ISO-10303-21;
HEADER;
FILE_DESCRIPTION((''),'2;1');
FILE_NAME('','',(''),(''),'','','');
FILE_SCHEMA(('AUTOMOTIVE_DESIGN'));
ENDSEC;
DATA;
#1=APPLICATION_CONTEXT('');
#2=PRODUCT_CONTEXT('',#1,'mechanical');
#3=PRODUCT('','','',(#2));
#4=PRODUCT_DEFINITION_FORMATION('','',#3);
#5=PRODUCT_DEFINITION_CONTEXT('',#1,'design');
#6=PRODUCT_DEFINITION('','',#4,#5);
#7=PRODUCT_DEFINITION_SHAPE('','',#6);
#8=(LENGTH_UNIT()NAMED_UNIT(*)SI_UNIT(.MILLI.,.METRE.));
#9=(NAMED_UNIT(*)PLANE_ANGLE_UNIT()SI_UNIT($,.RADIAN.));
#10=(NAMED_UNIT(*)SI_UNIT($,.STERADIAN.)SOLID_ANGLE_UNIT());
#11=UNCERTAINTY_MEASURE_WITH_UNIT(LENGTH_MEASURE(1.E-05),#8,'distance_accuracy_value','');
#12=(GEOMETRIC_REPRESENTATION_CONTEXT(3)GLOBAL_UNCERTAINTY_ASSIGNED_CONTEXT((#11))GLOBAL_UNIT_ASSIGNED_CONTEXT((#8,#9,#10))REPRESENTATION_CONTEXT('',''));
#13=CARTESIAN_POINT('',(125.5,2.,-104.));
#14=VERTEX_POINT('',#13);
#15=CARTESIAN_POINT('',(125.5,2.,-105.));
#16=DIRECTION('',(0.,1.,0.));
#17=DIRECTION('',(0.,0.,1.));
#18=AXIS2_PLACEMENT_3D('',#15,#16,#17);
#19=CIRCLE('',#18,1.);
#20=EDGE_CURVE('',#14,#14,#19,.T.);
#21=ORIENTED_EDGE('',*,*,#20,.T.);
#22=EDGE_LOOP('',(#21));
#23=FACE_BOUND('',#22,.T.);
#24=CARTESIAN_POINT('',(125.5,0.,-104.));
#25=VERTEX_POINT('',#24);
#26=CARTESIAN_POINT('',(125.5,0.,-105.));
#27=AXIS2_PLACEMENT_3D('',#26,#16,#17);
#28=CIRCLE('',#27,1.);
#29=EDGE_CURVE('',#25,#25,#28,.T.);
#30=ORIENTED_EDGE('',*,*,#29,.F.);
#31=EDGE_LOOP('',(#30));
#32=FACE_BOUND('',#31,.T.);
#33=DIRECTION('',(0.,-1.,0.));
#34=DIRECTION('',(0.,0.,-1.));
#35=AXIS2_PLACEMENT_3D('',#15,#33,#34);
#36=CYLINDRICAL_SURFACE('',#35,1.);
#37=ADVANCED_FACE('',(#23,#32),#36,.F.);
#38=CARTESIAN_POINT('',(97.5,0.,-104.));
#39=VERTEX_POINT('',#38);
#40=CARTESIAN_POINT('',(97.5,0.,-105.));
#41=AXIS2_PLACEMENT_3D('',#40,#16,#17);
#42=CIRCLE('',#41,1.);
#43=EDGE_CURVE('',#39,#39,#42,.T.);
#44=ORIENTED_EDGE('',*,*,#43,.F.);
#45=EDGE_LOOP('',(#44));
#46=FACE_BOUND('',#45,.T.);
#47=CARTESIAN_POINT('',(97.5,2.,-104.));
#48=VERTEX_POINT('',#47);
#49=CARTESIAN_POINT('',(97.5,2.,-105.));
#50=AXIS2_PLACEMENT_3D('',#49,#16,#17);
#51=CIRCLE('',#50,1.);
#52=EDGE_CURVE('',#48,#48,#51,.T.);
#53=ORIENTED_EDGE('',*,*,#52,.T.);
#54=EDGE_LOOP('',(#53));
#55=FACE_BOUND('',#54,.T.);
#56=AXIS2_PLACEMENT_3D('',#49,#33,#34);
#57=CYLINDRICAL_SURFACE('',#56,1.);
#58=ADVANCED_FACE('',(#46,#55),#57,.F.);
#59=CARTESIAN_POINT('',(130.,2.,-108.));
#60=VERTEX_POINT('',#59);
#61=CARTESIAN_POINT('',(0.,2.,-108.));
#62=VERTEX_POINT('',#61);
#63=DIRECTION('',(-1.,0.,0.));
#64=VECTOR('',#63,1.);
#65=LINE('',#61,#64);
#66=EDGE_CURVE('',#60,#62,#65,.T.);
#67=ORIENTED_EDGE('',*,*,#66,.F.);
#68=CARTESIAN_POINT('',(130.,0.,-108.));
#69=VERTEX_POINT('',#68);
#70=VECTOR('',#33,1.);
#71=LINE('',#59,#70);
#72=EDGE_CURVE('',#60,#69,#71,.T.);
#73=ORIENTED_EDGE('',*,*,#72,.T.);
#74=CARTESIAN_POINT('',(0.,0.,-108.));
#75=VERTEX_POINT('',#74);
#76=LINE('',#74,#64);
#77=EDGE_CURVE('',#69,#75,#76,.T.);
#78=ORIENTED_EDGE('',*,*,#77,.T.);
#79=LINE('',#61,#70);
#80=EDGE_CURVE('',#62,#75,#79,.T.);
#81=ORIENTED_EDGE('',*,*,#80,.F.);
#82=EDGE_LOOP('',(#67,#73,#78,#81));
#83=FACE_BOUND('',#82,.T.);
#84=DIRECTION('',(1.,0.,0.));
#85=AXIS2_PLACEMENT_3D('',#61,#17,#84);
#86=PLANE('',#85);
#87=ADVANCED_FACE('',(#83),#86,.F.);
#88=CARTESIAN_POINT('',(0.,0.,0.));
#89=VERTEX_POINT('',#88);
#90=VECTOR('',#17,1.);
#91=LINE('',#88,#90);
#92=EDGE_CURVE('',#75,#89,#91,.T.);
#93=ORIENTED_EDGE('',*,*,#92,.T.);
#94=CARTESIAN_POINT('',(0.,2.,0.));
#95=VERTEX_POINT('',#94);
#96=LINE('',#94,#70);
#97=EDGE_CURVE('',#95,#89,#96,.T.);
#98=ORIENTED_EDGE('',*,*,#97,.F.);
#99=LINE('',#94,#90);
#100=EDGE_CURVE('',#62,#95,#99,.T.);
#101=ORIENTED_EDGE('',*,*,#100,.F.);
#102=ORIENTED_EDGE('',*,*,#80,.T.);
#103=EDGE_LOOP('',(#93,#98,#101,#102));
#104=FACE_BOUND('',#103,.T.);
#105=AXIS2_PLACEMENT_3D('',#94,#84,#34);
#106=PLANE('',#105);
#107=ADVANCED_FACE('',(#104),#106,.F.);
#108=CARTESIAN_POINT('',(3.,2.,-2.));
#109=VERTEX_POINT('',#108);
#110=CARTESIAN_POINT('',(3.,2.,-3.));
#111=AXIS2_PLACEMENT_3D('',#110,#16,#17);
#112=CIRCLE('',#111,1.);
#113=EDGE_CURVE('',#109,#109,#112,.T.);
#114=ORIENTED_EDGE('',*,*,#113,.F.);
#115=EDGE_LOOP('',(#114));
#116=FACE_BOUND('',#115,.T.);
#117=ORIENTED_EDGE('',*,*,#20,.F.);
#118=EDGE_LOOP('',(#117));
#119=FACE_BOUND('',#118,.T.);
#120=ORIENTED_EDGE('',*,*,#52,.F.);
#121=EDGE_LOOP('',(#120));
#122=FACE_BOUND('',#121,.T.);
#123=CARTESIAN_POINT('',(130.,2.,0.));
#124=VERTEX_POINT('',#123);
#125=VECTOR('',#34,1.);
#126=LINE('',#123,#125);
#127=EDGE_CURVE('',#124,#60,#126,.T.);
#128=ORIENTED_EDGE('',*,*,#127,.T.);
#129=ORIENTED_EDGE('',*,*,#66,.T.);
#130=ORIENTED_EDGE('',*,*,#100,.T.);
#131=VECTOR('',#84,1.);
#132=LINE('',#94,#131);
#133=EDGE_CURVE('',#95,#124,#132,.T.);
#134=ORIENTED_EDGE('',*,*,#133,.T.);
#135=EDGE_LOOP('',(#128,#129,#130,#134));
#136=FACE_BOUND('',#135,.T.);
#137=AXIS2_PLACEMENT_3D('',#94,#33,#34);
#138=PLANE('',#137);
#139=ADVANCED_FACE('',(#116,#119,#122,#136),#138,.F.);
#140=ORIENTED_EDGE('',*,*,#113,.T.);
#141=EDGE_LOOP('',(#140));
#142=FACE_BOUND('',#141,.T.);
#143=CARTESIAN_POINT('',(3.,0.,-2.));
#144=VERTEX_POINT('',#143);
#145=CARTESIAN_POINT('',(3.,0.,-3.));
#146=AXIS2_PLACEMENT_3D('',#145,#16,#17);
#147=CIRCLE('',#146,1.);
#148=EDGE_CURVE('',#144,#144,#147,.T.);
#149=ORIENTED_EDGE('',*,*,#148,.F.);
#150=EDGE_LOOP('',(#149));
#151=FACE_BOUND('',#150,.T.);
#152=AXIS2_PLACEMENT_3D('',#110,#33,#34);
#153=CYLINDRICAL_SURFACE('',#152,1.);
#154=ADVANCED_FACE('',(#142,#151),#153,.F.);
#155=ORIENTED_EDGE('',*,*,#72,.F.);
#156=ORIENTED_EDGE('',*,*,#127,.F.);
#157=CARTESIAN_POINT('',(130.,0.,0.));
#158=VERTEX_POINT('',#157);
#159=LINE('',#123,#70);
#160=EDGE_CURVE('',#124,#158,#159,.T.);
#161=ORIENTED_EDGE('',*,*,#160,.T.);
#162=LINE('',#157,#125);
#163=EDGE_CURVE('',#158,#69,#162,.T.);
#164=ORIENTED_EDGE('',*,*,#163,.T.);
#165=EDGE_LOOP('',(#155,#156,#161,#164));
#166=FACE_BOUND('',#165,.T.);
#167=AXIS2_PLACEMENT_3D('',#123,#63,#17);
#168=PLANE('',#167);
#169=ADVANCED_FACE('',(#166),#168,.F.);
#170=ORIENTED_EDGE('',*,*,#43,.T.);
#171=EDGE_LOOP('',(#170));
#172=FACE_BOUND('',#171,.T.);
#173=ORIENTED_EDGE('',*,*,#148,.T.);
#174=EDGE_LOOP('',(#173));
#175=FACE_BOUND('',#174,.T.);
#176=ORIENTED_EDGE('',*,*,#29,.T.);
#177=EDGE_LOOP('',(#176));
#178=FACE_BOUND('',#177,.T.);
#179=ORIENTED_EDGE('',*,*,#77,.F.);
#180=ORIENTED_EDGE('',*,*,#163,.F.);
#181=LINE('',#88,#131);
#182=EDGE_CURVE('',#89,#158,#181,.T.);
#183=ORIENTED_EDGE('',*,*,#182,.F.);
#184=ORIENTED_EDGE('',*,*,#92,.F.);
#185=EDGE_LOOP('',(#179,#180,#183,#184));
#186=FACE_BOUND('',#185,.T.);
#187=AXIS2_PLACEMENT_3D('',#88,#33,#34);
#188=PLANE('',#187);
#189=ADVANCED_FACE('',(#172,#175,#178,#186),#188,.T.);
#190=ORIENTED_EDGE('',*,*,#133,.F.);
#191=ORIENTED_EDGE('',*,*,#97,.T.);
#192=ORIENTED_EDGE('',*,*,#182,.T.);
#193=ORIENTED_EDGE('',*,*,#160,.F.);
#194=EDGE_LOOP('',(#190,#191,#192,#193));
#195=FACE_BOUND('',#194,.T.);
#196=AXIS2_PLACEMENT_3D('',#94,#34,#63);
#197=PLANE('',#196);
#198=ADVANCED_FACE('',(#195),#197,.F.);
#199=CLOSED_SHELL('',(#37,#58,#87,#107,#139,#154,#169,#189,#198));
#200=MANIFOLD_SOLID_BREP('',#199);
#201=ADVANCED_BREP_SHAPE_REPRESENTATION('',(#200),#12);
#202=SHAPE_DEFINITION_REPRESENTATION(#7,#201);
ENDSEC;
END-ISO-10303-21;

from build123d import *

# Parameters (mm, degrees)
SKETCH1_W           = 130
SKETCH1_H           = 108
SKETCH1_R           = 1
BOSS_EXTRUDE1_DEPTH = 2


with BuildPart() as part:
    # Sketch1 → Boss-Extrude1 (new body)
    with BuildSketch(Plane(origin=(0, 0, 0), x_dir=(1, 0, 0), z_dir=(0, 1, 0))):
        with Locations((65, 54)):
            Rectangle(SKETCH1_W, SKETCH1_H)
        with Locations(Location((3, 3, 0), (0, 0, 270))):
            Circle(SKETCH1_R, mode=Mode.SUBTRACT)
        with Locations(Location((125.5, 105, 0), (0, 0, 270))):
            Circle(SKETCH1_R, mode=Mode.SUBTRACT)
        with Locations(Location((97.5, 105, 0), (0, 0, 270))):
            Circle(SKETCH1_R, mode=Mode.SUBTRACT)
    extrude(amount=BOSS_EXTRUDE1_DEPTH)


solid = part.part
